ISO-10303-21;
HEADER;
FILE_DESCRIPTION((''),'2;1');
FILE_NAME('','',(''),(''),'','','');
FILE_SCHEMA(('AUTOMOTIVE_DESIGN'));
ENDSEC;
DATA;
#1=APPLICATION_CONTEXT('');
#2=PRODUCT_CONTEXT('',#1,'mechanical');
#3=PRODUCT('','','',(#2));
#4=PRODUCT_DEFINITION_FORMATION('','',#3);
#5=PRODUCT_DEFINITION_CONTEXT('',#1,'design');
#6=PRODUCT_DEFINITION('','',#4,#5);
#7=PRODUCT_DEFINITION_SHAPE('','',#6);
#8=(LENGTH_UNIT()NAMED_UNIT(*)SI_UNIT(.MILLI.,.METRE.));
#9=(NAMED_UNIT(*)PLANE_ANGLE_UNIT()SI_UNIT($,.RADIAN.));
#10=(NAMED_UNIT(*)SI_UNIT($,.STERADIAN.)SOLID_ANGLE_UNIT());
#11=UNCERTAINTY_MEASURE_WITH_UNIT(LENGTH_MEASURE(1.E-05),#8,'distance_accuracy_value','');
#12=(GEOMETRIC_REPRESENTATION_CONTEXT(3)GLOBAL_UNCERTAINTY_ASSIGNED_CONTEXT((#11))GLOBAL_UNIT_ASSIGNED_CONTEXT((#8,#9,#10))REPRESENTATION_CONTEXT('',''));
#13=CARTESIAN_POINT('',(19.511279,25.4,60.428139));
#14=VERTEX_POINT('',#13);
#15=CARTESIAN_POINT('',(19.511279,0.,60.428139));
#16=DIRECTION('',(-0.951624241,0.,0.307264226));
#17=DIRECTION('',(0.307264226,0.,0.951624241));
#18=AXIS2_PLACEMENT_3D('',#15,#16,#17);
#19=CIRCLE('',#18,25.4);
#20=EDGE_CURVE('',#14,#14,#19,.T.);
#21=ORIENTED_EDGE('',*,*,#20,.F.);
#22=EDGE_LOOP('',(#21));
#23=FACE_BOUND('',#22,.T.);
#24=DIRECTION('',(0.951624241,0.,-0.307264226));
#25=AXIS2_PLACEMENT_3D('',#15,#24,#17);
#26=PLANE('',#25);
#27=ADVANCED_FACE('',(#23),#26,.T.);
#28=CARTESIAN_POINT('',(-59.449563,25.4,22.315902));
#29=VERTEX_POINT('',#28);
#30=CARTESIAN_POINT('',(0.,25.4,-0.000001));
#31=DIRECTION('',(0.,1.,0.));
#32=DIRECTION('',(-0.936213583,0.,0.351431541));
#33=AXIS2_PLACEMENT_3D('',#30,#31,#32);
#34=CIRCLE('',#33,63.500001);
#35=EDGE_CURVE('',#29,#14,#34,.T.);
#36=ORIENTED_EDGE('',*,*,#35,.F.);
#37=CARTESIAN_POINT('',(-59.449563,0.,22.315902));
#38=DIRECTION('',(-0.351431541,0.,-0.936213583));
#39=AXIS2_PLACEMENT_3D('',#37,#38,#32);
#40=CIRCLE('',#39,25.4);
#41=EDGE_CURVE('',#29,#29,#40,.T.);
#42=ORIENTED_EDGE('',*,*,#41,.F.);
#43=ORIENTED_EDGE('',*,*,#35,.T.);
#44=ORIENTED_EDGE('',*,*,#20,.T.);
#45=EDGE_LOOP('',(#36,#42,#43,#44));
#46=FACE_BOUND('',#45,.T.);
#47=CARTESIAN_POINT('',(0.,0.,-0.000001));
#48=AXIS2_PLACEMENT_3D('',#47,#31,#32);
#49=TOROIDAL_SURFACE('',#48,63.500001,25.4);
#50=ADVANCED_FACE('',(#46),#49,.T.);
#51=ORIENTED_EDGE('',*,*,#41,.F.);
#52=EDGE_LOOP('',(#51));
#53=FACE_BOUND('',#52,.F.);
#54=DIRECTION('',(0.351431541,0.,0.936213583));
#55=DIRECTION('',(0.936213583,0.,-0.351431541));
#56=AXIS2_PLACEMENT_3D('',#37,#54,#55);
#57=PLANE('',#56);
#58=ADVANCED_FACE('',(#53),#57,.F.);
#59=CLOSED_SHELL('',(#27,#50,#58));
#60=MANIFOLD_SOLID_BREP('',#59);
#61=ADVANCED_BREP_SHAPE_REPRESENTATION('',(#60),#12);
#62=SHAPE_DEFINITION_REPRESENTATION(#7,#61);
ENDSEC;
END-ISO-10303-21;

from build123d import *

# Parameters (mm, degrees)
F1_R = 25.4


with BuildPart() as f2:
    # F2: sweep along a path in F0
    with BuildLine(Plane.XZ) as f2_path:
        ThreePointArc((-59.449563, 22.315902), (-27.602577, 57.186954), (19.511279, 60.428139))
    # F1 (on Right) → F2 (sweep)
    with BuildSketch(Plane.YZ):
        with Locations((0, 63.5)):
            Circle(F1_R)
    sweep(path=f2_path.line)


solid = f2.part
